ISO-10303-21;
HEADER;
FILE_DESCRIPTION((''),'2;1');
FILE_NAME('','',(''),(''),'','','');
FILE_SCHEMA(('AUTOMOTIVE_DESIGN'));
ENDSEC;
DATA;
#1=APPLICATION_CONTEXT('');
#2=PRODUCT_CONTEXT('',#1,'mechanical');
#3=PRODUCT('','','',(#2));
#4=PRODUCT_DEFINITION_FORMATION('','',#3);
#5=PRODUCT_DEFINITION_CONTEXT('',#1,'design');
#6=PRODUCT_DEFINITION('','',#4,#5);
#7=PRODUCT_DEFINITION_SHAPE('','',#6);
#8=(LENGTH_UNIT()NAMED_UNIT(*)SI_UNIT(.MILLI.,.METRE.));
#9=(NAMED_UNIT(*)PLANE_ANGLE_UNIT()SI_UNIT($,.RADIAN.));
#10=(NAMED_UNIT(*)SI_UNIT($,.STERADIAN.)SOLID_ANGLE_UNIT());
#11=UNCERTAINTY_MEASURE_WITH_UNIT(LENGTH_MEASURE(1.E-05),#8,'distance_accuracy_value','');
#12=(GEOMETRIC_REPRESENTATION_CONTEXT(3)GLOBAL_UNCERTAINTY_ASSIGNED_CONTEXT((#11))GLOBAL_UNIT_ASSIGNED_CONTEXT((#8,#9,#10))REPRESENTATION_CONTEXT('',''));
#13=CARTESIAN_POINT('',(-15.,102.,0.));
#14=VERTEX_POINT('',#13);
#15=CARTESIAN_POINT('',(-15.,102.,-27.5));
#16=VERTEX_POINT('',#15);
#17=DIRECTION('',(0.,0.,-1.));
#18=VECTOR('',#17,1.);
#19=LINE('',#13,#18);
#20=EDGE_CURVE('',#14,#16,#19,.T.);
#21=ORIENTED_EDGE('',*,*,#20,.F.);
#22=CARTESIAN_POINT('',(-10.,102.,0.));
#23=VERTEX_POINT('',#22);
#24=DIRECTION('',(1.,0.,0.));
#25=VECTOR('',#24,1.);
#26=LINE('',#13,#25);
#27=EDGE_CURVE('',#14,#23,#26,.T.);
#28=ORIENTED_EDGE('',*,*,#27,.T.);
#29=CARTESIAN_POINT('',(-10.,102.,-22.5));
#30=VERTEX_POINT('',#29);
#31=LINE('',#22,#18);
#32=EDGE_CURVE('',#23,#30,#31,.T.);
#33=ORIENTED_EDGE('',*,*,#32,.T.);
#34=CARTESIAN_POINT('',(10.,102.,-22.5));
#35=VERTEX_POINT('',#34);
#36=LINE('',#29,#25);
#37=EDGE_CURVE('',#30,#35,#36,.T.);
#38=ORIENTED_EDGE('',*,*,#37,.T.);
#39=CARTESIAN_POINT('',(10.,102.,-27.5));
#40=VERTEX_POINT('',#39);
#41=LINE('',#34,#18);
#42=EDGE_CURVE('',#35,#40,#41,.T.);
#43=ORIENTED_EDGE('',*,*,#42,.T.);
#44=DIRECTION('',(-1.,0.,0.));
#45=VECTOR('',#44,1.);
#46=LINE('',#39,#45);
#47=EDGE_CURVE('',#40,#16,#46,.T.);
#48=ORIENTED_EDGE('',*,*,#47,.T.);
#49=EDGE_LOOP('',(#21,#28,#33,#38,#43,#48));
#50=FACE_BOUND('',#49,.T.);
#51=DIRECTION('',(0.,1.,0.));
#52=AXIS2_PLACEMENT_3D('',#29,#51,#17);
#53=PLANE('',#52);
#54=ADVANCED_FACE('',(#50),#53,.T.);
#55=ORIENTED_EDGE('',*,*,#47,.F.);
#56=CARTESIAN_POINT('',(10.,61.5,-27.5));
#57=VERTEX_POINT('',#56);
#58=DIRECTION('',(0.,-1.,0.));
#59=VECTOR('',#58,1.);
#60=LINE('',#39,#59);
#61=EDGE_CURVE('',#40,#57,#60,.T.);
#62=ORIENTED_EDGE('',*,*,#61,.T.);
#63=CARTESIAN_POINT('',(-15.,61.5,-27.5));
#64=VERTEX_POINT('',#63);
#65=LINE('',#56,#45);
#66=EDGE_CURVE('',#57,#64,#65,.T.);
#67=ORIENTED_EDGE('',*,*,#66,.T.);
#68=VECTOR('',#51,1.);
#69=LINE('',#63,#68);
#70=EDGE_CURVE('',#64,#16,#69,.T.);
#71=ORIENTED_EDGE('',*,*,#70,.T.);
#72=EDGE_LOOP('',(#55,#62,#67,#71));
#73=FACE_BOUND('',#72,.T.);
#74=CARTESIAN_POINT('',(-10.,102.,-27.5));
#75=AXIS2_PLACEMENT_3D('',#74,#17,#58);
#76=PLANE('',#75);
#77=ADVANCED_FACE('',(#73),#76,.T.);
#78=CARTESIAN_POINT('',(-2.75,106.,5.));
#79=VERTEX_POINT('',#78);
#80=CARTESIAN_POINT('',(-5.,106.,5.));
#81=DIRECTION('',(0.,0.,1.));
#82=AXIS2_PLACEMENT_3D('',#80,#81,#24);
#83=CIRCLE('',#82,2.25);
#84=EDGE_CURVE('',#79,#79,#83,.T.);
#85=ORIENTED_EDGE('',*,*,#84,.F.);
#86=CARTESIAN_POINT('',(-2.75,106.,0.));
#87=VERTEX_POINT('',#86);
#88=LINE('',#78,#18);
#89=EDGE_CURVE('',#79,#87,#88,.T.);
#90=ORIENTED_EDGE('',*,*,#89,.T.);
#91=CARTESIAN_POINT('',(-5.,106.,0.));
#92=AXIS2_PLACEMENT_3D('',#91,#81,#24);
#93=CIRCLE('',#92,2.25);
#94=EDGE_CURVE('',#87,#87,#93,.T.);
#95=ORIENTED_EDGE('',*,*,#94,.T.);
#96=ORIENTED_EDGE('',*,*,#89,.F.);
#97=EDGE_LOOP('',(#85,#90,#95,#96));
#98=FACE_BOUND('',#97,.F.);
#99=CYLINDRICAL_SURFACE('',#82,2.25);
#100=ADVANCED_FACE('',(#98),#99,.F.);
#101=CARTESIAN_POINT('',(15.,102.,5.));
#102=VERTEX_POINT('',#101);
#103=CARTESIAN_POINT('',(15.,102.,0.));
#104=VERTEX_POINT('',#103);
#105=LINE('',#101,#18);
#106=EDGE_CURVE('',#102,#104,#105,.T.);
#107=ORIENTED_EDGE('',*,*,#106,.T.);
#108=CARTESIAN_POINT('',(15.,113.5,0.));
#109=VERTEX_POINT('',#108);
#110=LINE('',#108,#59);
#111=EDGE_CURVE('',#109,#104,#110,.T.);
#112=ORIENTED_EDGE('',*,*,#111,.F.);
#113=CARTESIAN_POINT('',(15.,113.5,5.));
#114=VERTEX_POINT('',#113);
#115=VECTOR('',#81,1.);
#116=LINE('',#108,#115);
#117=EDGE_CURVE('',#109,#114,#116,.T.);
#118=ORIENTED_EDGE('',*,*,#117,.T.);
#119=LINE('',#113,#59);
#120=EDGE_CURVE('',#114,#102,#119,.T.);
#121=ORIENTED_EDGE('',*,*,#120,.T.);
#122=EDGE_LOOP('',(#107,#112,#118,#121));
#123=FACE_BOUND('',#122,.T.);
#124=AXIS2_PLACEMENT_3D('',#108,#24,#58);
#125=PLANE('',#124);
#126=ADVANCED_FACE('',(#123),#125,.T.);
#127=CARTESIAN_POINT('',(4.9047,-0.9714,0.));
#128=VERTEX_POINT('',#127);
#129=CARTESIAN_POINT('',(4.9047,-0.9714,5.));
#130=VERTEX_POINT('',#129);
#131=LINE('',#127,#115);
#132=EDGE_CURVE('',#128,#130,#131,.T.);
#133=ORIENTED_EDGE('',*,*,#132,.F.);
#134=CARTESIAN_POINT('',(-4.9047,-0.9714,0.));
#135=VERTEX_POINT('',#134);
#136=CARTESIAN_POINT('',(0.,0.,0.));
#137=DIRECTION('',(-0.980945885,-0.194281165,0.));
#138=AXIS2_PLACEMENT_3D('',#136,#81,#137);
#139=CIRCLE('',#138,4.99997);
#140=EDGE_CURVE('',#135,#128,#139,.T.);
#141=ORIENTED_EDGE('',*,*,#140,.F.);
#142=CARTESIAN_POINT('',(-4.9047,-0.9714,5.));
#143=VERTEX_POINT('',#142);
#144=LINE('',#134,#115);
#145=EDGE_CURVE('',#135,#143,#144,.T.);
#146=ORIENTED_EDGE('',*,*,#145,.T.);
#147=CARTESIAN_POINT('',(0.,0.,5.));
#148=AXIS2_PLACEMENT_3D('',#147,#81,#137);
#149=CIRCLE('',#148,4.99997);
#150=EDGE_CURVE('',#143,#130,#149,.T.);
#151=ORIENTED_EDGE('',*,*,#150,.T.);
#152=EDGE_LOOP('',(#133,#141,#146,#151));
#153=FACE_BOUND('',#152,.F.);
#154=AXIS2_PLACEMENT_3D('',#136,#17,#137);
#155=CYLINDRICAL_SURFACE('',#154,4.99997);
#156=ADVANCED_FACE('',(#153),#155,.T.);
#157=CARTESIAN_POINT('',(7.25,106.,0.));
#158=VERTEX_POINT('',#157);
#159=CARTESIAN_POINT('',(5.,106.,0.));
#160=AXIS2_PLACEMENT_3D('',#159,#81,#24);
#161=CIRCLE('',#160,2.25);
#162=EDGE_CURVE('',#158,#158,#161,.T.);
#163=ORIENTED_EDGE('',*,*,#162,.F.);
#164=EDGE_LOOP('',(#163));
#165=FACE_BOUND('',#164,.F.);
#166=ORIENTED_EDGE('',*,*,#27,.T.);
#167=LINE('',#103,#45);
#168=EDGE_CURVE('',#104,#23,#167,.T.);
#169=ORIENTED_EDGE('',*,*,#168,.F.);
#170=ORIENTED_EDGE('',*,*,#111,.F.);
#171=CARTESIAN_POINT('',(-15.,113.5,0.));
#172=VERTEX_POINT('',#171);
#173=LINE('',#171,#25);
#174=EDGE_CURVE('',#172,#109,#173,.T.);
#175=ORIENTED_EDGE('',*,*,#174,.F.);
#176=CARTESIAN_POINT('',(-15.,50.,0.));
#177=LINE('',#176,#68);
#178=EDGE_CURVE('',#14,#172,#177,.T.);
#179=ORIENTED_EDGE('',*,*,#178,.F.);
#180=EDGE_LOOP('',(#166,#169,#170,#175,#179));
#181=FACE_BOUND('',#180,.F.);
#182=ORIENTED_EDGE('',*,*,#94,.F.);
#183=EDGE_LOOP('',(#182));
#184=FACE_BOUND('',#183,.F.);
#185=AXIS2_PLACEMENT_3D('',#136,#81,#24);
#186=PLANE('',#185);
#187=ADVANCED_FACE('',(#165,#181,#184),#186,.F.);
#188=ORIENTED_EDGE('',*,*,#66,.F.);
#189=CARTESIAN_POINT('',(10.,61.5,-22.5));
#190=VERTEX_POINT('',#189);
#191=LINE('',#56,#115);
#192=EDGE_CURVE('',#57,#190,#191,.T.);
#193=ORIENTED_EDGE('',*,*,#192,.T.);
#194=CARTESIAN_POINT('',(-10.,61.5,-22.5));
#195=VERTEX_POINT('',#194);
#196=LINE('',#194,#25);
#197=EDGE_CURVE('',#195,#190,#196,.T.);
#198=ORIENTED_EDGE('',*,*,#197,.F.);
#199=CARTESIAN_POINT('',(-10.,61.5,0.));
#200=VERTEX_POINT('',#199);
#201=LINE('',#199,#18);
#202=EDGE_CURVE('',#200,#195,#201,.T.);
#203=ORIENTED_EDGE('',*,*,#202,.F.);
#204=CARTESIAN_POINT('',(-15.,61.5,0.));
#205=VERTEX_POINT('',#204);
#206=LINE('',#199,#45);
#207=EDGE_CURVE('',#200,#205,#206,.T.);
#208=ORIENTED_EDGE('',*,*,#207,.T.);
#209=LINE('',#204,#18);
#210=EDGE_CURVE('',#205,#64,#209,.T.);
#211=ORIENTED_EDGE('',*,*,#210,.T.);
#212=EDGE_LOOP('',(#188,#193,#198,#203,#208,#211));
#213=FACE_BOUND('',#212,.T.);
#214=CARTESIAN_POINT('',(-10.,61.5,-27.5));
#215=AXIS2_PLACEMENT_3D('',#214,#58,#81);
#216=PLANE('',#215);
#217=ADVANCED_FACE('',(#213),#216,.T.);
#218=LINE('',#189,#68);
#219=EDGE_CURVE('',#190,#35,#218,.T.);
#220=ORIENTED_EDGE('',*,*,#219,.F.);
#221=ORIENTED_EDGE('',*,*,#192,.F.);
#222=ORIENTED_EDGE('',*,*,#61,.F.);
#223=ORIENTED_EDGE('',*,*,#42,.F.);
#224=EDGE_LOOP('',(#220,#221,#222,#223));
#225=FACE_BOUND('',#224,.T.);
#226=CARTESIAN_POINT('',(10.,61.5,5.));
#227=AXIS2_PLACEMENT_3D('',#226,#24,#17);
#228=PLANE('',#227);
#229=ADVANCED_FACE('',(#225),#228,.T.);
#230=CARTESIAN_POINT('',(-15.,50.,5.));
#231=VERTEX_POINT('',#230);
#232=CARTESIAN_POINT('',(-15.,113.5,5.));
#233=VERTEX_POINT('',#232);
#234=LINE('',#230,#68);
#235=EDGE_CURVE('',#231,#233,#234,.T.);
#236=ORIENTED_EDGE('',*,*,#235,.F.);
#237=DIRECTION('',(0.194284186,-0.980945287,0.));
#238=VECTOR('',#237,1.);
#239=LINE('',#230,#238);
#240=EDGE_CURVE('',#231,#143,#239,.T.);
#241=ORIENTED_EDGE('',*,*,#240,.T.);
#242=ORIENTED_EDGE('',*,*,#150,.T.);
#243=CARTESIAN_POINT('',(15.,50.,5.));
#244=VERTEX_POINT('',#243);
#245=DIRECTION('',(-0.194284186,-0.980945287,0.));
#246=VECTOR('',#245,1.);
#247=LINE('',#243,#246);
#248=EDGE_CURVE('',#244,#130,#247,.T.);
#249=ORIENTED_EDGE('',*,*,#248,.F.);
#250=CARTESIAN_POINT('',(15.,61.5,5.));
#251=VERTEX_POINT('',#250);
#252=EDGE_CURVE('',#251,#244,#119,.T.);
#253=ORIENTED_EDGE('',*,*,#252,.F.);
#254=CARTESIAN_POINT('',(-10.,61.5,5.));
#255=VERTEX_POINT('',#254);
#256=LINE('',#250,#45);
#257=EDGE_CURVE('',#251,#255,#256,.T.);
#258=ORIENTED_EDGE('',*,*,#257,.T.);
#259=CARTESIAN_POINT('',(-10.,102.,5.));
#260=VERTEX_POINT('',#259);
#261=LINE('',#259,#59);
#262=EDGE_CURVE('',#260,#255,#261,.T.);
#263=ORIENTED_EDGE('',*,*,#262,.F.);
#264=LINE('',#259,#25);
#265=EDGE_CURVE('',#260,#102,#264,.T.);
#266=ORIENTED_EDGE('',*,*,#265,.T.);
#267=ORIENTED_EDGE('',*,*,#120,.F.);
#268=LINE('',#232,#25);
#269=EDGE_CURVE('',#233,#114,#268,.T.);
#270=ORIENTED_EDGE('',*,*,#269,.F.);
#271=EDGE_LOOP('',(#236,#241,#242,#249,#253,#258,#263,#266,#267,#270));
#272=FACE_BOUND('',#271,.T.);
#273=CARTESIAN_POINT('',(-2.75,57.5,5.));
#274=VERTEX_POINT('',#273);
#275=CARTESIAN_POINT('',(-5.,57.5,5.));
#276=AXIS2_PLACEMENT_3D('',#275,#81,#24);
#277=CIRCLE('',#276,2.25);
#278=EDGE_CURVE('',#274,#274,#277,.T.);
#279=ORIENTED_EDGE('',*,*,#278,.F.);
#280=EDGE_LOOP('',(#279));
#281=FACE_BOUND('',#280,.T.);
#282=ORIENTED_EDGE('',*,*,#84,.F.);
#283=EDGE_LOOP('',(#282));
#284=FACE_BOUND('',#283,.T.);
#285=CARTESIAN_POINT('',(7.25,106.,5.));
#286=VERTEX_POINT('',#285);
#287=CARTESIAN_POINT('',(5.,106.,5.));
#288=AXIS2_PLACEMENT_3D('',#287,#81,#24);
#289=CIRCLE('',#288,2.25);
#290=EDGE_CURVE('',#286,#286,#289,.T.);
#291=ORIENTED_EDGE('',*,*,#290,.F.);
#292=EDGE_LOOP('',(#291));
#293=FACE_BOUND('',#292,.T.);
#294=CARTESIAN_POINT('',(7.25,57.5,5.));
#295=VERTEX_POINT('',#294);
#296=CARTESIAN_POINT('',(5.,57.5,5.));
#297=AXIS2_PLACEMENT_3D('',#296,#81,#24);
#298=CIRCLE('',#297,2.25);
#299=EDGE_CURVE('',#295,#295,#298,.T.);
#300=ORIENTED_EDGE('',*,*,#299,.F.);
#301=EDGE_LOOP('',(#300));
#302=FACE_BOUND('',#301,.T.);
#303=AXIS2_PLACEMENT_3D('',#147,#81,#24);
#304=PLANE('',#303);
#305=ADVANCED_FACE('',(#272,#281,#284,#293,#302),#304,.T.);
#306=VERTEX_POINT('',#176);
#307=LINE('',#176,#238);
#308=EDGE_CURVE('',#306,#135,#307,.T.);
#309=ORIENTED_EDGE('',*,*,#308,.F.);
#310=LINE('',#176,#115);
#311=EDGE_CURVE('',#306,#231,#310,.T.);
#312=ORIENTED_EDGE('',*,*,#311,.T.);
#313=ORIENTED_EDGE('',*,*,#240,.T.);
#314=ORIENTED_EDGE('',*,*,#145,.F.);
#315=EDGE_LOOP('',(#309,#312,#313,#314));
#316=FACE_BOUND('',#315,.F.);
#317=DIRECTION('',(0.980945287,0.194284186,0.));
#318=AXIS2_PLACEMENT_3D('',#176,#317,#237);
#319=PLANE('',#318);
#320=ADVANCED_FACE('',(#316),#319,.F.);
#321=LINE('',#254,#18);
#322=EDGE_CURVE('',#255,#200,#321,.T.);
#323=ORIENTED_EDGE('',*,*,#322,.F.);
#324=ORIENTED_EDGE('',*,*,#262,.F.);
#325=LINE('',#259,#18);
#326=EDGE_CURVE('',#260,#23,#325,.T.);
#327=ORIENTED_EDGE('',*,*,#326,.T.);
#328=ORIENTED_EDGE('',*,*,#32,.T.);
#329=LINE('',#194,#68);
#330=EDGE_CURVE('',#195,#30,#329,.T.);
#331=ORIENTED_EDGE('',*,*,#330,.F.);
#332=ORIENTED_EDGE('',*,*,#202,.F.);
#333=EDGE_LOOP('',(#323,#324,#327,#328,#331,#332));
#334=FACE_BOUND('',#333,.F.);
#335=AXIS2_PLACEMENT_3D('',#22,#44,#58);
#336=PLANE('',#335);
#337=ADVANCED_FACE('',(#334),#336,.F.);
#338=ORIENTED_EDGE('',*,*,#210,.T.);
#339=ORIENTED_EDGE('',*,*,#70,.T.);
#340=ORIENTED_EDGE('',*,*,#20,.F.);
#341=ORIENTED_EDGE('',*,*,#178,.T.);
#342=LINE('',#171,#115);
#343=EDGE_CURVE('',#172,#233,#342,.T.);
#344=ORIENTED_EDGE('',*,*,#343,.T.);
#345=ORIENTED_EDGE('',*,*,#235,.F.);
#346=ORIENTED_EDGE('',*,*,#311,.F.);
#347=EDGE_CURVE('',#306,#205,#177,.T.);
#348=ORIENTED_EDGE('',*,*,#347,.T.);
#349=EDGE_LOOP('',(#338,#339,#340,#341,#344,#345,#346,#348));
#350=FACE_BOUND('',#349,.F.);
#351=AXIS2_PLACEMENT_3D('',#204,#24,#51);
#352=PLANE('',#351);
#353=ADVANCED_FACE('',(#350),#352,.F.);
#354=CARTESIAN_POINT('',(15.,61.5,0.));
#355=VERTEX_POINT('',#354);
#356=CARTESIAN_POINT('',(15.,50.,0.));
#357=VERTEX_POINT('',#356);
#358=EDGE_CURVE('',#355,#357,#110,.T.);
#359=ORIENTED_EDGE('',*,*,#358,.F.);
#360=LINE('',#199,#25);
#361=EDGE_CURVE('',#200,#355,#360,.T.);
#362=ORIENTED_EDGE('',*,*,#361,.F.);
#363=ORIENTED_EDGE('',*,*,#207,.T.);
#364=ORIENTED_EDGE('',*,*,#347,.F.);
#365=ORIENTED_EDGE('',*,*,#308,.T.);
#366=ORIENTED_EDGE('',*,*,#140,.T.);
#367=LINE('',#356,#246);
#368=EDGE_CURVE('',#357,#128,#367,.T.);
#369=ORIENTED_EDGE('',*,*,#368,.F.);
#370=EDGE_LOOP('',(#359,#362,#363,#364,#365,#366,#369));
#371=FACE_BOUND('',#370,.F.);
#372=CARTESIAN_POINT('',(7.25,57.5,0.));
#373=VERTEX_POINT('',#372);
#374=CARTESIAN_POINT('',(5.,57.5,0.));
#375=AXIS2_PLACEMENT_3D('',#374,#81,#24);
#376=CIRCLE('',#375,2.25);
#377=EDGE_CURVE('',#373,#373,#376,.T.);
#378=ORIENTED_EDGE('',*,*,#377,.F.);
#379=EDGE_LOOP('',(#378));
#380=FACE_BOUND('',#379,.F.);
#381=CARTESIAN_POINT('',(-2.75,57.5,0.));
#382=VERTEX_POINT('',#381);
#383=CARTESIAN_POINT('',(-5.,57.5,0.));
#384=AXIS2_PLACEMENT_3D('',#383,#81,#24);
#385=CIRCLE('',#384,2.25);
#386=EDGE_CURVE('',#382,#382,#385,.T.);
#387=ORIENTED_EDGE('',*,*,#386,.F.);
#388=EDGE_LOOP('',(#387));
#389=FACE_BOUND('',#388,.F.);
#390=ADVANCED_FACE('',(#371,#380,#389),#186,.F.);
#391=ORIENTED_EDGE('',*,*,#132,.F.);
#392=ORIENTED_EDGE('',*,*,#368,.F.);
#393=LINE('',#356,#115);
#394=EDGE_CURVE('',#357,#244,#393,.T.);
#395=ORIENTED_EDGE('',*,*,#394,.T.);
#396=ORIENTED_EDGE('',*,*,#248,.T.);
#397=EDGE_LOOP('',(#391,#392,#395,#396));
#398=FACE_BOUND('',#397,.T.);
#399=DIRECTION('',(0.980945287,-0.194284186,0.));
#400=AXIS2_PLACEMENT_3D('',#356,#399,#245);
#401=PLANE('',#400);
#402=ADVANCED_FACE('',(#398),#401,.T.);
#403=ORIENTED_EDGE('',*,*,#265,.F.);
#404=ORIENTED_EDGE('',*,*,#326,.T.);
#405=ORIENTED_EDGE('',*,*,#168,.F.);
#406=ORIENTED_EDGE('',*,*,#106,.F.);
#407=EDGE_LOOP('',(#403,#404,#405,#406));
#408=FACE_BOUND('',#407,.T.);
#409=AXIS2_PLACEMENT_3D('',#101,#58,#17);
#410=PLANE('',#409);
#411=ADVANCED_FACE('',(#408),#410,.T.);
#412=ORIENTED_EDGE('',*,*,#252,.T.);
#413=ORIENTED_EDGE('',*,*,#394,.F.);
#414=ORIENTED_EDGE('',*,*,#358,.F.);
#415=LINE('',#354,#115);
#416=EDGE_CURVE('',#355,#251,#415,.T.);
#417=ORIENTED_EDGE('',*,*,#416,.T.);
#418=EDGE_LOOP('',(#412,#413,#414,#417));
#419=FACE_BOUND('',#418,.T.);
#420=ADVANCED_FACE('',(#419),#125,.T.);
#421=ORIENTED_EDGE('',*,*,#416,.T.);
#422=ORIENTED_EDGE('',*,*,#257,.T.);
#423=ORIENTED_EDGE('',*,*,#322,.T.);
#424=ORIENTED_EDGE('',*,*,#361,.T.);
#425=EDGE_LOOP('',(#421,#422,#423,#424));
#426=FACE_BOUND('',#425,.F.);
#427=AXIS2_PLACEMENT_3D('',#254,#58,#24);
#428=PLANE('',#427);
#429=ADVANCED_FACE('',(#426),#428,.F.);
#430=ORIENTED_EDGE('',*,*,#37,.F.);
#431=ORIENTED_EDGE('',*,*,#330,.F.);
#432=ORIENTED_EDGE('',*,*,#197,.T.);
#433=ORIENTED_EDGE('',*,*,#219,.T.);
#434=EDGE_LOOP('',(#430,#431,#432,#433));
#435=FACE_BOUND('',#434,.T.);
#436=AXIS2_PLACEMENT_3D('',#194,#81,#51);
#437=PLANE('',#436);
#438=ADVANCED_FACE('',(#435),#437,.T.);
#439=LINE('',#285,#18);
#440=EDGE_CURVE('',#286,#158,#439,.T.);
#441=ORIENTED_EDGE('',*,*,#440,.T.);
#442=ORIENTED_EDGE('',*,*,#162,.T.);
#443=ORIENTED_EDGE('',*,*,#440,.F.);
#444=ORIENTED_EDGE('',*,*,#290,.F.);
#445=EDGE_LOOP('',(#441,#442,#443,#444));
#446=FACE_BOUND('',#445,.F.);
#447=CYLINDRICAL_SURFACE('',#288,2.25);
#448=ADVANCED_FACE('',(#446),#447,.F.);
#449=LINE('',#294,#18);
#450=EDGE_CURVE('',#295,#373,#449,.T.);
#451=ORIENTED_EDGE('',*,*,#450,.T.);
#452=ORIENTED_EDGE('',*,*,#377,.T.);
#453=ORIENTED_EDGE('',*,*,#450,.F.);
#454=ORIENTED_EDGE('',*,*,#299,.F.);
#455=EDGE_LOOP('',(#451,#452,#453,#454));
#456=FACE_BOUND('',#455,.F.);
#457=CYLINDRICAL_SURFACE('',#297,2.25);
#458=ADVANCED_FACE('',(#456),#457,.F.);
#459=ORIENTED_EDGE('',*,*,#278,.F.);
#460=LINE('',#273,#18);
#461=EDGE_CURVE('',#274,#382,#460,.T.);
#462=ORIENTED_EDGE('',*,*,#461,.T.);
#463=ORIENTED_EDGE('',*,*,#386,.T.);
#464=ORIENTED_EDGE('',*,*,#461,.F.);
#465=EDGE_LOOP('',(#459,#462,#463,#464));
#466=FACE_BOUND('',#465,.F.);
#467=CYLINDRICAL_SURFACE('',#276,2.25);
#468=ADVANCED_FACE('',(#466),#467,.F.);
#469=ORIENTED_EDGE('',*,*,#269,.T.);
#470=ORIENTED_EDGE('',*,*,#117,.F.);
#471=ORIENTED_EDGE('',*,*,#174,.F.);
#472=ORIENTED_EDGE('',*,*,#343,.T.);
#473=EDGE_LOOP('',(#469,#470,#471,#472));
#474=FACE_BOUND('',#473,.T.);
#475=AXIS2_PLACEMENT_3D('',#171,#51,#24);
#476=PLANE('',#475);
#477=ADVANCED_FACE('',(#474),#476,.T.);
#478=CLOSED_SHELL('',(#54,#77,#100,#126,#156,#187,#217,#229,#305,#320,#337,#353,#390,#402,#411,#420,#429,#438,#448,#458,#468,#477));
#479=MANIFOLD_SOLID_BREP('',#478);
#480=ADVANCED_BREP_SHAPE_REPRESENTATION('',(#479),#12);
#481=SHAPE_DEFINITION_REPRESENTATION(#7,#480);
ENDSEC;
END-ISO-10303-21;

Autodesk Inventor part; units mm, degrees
ref_plane "YZ Plane" through (0, 0, 0) normal (1, 0, 0) x (0, 1, 0)
ref_plane "XZ Plane" through (0, 0, 0) normal (0, 1, 0) x (-1, 0, 0)
ref_plane "XY Plane" through (0, 0, 0) normal (0, 0, 1) x (1, 0, 0)
sketch "Sketch1" plane through (0, 0, 0) normal (0, 0, 1) x (1, 0, 0)
  point P0 (0, 0)
sketch "Sketch2" plane through (0, 0, 0) normal (0, 0, 1) x (1, 0, 0)
  line L0 (-15, 113.5) -> (15, 113.5)
  line L1 (15, 113.5) -> (15, 50)
  line L2 (15, 50) -> (-15, 50) construction
  line L3 (-15, 50) -> (-15, 113.5)
  circle A0 centre (0, 0) radius 5 construction
  line L4 (-15, 50) -> (-4.9047, -0.9714)
  line L5 (15, 50) -> (4.9047, -0.9714)
  arc A1 (-4.9047, -0.9714) -> (4.9047, -0.9714) centre (0, 0) ccw
  point P0 (0, 50)
  dimension "d0" = 30
  dimension "d1" = 63.5
  dimension "d2" = 10
  dimension "d3" = 50
extrude "Extrusion1" add sketch "Sketch2" along normal blind 5
sketch "Sketch3" plane through (0, 0, 5) normal (0, 0, 1) x (1, 0, 0)
  line L0 (-10, 108.5) -> (10, 108.5) construction
  line L1 (10, 108.5) -> (10, 55) construction
  line L2 (10, 55) -> (-10, 55) construction
  line L3 (-10, 55) -> (-10, 108.5) construction
  line L4 (15, 113.5) -> (-15, 113.5) construction
  circle A0 centre (-5, 106) radius 2.25
  circle A1 centre (5, 106) radius 2.25
  circle A2 centre (-5, 57.5) radius 2.25
  circle A3 centre (5, 57.5) radius 2.25
  line L5 (-10, 61.5) -> (10, 61.5)
  line L6 (10, 61.5) -> (10, 102)
  line L7 (10, 102) -> (-10, 102)
  line L8 (-10, 102) -> (-10, 61.5)
  line L9 (0, 108.5) -> (0, 55) construction
  point P0 (0, 0)
  point P1 (-10, 81.75)
  point P2 (10, 81.75)
  point P3 (0, 81.75)
  dimension "d6" = 20
  dimension "d7" = 53.5
  dimension "d8" = 5
  dimension "d9" = 4.5
  dimension "d11" = 2.75
  dimension "d12" = 2.5
  dimension "d13" = 2.75
  dimension "d14" = 2.5
  dimension "d15" = 40.5
extrude "Extrusion2" cut sketch "Sketch3" against normal up to next
sketch "Sketch4" plane through (15, 50, 0) normal (1, 0, 0) x (0, 0, -1)
  line L0 (-5, 52) -> (0, 52)
  line L1 (0, 52) -> (0, 11.5)
  line L2 (0, 11.5) -> (-5, 11.5)
  line L3 (-5, 11.5) -> (-5, 52)
  line L4 (-5, 52) -> (0, 52) projected
  line L5 (-5, 11.5) -> (0, 11.5) projected
  line L6 (0, 63.5) -> (0, 0) projected
  point P0 (0, -50)
  point P1 (-2.5, 52)
  point P2 (-2.5, 11.5)
  point P3 (0, 31.75)
extrude "Extrusion3" cut sketch "Sketch4" against normal up to surface (5 mm away)
sketch "Sketch8" plane through (0, 0, 0) normal (0, 0, -1) x (-1, 0, 0)
  line L0 (15, 102) -> (10, 102)
  line L1 (10, 102) -> (10, 61.5)
  line L2 (10, 61.5) -> (15, 61.5)
  line L3 (15, 61.5) -> (15, 102)
  line L4 (15, 50) -> (15, 113.5) projected
  line L5 (10, 102) -> (10, 61.5) projected
  point P0 (0, 0)
  point P1 (15, 81.75)
  point P2 (10, 81.75)
  point P3 (12.5, 61.5)
  point P4 (12.5, 102)
extrude "Extrusion6" add sketch "Sketch8" along normal blind 27.5
sketch "Sketch9" plane through (-10, 61.5, 5) normal (1, 0, 0) x (0, 0, -1)
  line L0 (27.5, 40.5) -> (32.5, 40.5)
  line L1 (32.5, 40.5) -> (32.5, 0)
  line L2 (32.5, 0) -> (27.5, 0)
  line L3 (27.5, 0) -> (27.5, 40.5)
  line L4 (32.5, 40.5) -> (32.5, 0) projected
  line L5 (5, 40.5) -> (32.5, 40.5) projected
  line L6 (5, 0) -> (32.5, 0) projected
  point P0 (5, -61.5)
  point P1 (32.5, 20.25)
  point P2 (30, 40.5)
  point P3 (30, 0)
  dimension "d27" = 5
extrude "Extrusion7" add sketch "Sketch9" along normal blind 20
equation "\"d0\" = s_depth + 2 * b_mat_thickness"
equation "\"d1\" = 2 * s_land + s_width + 2 * b_mat_thickness"
equation "\"d4\" = b_mat_thickness"
equation "\"d6\" = s_depth"
equation "\"d7\" = s_width + 2 * s_land"
equation "\"d8\" = b_mat_thickness"
equation "\"d9\" = s_hole_dia"
equation "\"d11\" = s_hole_side_dist"
equation "\"d12\" = s_hole_front_dist"
equation "\"d13\" = s_hole_side_dist"
equation "\"d14\" = s_hole_front_dist"
equation "\"d15\" = s_width"
equation "\"d16\" = b_mat_thickness"
equation "\"d25\" = -s_land_dist_top + s_height - s_land_thickness"
equation "\"d27\" = b_mat_thickness"
equation "\"d28\" = s_depth"
equation "\"s_depth\" = 20"
equation "\"b_mat_thickness\" = 5"
equation "\"s_land\" = 6.5"
equation "\"s_width\" = 40.5"
equation "\"s_hole_dia\" = 4.5"
equation "\"s_hole_side_dist\" = 2.75"
equation "\"s_hole_front_dist\" = 2.5"
equation "\"s_land_dist_top\" = 8"
equation "\"s_height\" = 38"
equation "\"s_land_thickness\" = 2.5"
properties part number "Lower_leg"
